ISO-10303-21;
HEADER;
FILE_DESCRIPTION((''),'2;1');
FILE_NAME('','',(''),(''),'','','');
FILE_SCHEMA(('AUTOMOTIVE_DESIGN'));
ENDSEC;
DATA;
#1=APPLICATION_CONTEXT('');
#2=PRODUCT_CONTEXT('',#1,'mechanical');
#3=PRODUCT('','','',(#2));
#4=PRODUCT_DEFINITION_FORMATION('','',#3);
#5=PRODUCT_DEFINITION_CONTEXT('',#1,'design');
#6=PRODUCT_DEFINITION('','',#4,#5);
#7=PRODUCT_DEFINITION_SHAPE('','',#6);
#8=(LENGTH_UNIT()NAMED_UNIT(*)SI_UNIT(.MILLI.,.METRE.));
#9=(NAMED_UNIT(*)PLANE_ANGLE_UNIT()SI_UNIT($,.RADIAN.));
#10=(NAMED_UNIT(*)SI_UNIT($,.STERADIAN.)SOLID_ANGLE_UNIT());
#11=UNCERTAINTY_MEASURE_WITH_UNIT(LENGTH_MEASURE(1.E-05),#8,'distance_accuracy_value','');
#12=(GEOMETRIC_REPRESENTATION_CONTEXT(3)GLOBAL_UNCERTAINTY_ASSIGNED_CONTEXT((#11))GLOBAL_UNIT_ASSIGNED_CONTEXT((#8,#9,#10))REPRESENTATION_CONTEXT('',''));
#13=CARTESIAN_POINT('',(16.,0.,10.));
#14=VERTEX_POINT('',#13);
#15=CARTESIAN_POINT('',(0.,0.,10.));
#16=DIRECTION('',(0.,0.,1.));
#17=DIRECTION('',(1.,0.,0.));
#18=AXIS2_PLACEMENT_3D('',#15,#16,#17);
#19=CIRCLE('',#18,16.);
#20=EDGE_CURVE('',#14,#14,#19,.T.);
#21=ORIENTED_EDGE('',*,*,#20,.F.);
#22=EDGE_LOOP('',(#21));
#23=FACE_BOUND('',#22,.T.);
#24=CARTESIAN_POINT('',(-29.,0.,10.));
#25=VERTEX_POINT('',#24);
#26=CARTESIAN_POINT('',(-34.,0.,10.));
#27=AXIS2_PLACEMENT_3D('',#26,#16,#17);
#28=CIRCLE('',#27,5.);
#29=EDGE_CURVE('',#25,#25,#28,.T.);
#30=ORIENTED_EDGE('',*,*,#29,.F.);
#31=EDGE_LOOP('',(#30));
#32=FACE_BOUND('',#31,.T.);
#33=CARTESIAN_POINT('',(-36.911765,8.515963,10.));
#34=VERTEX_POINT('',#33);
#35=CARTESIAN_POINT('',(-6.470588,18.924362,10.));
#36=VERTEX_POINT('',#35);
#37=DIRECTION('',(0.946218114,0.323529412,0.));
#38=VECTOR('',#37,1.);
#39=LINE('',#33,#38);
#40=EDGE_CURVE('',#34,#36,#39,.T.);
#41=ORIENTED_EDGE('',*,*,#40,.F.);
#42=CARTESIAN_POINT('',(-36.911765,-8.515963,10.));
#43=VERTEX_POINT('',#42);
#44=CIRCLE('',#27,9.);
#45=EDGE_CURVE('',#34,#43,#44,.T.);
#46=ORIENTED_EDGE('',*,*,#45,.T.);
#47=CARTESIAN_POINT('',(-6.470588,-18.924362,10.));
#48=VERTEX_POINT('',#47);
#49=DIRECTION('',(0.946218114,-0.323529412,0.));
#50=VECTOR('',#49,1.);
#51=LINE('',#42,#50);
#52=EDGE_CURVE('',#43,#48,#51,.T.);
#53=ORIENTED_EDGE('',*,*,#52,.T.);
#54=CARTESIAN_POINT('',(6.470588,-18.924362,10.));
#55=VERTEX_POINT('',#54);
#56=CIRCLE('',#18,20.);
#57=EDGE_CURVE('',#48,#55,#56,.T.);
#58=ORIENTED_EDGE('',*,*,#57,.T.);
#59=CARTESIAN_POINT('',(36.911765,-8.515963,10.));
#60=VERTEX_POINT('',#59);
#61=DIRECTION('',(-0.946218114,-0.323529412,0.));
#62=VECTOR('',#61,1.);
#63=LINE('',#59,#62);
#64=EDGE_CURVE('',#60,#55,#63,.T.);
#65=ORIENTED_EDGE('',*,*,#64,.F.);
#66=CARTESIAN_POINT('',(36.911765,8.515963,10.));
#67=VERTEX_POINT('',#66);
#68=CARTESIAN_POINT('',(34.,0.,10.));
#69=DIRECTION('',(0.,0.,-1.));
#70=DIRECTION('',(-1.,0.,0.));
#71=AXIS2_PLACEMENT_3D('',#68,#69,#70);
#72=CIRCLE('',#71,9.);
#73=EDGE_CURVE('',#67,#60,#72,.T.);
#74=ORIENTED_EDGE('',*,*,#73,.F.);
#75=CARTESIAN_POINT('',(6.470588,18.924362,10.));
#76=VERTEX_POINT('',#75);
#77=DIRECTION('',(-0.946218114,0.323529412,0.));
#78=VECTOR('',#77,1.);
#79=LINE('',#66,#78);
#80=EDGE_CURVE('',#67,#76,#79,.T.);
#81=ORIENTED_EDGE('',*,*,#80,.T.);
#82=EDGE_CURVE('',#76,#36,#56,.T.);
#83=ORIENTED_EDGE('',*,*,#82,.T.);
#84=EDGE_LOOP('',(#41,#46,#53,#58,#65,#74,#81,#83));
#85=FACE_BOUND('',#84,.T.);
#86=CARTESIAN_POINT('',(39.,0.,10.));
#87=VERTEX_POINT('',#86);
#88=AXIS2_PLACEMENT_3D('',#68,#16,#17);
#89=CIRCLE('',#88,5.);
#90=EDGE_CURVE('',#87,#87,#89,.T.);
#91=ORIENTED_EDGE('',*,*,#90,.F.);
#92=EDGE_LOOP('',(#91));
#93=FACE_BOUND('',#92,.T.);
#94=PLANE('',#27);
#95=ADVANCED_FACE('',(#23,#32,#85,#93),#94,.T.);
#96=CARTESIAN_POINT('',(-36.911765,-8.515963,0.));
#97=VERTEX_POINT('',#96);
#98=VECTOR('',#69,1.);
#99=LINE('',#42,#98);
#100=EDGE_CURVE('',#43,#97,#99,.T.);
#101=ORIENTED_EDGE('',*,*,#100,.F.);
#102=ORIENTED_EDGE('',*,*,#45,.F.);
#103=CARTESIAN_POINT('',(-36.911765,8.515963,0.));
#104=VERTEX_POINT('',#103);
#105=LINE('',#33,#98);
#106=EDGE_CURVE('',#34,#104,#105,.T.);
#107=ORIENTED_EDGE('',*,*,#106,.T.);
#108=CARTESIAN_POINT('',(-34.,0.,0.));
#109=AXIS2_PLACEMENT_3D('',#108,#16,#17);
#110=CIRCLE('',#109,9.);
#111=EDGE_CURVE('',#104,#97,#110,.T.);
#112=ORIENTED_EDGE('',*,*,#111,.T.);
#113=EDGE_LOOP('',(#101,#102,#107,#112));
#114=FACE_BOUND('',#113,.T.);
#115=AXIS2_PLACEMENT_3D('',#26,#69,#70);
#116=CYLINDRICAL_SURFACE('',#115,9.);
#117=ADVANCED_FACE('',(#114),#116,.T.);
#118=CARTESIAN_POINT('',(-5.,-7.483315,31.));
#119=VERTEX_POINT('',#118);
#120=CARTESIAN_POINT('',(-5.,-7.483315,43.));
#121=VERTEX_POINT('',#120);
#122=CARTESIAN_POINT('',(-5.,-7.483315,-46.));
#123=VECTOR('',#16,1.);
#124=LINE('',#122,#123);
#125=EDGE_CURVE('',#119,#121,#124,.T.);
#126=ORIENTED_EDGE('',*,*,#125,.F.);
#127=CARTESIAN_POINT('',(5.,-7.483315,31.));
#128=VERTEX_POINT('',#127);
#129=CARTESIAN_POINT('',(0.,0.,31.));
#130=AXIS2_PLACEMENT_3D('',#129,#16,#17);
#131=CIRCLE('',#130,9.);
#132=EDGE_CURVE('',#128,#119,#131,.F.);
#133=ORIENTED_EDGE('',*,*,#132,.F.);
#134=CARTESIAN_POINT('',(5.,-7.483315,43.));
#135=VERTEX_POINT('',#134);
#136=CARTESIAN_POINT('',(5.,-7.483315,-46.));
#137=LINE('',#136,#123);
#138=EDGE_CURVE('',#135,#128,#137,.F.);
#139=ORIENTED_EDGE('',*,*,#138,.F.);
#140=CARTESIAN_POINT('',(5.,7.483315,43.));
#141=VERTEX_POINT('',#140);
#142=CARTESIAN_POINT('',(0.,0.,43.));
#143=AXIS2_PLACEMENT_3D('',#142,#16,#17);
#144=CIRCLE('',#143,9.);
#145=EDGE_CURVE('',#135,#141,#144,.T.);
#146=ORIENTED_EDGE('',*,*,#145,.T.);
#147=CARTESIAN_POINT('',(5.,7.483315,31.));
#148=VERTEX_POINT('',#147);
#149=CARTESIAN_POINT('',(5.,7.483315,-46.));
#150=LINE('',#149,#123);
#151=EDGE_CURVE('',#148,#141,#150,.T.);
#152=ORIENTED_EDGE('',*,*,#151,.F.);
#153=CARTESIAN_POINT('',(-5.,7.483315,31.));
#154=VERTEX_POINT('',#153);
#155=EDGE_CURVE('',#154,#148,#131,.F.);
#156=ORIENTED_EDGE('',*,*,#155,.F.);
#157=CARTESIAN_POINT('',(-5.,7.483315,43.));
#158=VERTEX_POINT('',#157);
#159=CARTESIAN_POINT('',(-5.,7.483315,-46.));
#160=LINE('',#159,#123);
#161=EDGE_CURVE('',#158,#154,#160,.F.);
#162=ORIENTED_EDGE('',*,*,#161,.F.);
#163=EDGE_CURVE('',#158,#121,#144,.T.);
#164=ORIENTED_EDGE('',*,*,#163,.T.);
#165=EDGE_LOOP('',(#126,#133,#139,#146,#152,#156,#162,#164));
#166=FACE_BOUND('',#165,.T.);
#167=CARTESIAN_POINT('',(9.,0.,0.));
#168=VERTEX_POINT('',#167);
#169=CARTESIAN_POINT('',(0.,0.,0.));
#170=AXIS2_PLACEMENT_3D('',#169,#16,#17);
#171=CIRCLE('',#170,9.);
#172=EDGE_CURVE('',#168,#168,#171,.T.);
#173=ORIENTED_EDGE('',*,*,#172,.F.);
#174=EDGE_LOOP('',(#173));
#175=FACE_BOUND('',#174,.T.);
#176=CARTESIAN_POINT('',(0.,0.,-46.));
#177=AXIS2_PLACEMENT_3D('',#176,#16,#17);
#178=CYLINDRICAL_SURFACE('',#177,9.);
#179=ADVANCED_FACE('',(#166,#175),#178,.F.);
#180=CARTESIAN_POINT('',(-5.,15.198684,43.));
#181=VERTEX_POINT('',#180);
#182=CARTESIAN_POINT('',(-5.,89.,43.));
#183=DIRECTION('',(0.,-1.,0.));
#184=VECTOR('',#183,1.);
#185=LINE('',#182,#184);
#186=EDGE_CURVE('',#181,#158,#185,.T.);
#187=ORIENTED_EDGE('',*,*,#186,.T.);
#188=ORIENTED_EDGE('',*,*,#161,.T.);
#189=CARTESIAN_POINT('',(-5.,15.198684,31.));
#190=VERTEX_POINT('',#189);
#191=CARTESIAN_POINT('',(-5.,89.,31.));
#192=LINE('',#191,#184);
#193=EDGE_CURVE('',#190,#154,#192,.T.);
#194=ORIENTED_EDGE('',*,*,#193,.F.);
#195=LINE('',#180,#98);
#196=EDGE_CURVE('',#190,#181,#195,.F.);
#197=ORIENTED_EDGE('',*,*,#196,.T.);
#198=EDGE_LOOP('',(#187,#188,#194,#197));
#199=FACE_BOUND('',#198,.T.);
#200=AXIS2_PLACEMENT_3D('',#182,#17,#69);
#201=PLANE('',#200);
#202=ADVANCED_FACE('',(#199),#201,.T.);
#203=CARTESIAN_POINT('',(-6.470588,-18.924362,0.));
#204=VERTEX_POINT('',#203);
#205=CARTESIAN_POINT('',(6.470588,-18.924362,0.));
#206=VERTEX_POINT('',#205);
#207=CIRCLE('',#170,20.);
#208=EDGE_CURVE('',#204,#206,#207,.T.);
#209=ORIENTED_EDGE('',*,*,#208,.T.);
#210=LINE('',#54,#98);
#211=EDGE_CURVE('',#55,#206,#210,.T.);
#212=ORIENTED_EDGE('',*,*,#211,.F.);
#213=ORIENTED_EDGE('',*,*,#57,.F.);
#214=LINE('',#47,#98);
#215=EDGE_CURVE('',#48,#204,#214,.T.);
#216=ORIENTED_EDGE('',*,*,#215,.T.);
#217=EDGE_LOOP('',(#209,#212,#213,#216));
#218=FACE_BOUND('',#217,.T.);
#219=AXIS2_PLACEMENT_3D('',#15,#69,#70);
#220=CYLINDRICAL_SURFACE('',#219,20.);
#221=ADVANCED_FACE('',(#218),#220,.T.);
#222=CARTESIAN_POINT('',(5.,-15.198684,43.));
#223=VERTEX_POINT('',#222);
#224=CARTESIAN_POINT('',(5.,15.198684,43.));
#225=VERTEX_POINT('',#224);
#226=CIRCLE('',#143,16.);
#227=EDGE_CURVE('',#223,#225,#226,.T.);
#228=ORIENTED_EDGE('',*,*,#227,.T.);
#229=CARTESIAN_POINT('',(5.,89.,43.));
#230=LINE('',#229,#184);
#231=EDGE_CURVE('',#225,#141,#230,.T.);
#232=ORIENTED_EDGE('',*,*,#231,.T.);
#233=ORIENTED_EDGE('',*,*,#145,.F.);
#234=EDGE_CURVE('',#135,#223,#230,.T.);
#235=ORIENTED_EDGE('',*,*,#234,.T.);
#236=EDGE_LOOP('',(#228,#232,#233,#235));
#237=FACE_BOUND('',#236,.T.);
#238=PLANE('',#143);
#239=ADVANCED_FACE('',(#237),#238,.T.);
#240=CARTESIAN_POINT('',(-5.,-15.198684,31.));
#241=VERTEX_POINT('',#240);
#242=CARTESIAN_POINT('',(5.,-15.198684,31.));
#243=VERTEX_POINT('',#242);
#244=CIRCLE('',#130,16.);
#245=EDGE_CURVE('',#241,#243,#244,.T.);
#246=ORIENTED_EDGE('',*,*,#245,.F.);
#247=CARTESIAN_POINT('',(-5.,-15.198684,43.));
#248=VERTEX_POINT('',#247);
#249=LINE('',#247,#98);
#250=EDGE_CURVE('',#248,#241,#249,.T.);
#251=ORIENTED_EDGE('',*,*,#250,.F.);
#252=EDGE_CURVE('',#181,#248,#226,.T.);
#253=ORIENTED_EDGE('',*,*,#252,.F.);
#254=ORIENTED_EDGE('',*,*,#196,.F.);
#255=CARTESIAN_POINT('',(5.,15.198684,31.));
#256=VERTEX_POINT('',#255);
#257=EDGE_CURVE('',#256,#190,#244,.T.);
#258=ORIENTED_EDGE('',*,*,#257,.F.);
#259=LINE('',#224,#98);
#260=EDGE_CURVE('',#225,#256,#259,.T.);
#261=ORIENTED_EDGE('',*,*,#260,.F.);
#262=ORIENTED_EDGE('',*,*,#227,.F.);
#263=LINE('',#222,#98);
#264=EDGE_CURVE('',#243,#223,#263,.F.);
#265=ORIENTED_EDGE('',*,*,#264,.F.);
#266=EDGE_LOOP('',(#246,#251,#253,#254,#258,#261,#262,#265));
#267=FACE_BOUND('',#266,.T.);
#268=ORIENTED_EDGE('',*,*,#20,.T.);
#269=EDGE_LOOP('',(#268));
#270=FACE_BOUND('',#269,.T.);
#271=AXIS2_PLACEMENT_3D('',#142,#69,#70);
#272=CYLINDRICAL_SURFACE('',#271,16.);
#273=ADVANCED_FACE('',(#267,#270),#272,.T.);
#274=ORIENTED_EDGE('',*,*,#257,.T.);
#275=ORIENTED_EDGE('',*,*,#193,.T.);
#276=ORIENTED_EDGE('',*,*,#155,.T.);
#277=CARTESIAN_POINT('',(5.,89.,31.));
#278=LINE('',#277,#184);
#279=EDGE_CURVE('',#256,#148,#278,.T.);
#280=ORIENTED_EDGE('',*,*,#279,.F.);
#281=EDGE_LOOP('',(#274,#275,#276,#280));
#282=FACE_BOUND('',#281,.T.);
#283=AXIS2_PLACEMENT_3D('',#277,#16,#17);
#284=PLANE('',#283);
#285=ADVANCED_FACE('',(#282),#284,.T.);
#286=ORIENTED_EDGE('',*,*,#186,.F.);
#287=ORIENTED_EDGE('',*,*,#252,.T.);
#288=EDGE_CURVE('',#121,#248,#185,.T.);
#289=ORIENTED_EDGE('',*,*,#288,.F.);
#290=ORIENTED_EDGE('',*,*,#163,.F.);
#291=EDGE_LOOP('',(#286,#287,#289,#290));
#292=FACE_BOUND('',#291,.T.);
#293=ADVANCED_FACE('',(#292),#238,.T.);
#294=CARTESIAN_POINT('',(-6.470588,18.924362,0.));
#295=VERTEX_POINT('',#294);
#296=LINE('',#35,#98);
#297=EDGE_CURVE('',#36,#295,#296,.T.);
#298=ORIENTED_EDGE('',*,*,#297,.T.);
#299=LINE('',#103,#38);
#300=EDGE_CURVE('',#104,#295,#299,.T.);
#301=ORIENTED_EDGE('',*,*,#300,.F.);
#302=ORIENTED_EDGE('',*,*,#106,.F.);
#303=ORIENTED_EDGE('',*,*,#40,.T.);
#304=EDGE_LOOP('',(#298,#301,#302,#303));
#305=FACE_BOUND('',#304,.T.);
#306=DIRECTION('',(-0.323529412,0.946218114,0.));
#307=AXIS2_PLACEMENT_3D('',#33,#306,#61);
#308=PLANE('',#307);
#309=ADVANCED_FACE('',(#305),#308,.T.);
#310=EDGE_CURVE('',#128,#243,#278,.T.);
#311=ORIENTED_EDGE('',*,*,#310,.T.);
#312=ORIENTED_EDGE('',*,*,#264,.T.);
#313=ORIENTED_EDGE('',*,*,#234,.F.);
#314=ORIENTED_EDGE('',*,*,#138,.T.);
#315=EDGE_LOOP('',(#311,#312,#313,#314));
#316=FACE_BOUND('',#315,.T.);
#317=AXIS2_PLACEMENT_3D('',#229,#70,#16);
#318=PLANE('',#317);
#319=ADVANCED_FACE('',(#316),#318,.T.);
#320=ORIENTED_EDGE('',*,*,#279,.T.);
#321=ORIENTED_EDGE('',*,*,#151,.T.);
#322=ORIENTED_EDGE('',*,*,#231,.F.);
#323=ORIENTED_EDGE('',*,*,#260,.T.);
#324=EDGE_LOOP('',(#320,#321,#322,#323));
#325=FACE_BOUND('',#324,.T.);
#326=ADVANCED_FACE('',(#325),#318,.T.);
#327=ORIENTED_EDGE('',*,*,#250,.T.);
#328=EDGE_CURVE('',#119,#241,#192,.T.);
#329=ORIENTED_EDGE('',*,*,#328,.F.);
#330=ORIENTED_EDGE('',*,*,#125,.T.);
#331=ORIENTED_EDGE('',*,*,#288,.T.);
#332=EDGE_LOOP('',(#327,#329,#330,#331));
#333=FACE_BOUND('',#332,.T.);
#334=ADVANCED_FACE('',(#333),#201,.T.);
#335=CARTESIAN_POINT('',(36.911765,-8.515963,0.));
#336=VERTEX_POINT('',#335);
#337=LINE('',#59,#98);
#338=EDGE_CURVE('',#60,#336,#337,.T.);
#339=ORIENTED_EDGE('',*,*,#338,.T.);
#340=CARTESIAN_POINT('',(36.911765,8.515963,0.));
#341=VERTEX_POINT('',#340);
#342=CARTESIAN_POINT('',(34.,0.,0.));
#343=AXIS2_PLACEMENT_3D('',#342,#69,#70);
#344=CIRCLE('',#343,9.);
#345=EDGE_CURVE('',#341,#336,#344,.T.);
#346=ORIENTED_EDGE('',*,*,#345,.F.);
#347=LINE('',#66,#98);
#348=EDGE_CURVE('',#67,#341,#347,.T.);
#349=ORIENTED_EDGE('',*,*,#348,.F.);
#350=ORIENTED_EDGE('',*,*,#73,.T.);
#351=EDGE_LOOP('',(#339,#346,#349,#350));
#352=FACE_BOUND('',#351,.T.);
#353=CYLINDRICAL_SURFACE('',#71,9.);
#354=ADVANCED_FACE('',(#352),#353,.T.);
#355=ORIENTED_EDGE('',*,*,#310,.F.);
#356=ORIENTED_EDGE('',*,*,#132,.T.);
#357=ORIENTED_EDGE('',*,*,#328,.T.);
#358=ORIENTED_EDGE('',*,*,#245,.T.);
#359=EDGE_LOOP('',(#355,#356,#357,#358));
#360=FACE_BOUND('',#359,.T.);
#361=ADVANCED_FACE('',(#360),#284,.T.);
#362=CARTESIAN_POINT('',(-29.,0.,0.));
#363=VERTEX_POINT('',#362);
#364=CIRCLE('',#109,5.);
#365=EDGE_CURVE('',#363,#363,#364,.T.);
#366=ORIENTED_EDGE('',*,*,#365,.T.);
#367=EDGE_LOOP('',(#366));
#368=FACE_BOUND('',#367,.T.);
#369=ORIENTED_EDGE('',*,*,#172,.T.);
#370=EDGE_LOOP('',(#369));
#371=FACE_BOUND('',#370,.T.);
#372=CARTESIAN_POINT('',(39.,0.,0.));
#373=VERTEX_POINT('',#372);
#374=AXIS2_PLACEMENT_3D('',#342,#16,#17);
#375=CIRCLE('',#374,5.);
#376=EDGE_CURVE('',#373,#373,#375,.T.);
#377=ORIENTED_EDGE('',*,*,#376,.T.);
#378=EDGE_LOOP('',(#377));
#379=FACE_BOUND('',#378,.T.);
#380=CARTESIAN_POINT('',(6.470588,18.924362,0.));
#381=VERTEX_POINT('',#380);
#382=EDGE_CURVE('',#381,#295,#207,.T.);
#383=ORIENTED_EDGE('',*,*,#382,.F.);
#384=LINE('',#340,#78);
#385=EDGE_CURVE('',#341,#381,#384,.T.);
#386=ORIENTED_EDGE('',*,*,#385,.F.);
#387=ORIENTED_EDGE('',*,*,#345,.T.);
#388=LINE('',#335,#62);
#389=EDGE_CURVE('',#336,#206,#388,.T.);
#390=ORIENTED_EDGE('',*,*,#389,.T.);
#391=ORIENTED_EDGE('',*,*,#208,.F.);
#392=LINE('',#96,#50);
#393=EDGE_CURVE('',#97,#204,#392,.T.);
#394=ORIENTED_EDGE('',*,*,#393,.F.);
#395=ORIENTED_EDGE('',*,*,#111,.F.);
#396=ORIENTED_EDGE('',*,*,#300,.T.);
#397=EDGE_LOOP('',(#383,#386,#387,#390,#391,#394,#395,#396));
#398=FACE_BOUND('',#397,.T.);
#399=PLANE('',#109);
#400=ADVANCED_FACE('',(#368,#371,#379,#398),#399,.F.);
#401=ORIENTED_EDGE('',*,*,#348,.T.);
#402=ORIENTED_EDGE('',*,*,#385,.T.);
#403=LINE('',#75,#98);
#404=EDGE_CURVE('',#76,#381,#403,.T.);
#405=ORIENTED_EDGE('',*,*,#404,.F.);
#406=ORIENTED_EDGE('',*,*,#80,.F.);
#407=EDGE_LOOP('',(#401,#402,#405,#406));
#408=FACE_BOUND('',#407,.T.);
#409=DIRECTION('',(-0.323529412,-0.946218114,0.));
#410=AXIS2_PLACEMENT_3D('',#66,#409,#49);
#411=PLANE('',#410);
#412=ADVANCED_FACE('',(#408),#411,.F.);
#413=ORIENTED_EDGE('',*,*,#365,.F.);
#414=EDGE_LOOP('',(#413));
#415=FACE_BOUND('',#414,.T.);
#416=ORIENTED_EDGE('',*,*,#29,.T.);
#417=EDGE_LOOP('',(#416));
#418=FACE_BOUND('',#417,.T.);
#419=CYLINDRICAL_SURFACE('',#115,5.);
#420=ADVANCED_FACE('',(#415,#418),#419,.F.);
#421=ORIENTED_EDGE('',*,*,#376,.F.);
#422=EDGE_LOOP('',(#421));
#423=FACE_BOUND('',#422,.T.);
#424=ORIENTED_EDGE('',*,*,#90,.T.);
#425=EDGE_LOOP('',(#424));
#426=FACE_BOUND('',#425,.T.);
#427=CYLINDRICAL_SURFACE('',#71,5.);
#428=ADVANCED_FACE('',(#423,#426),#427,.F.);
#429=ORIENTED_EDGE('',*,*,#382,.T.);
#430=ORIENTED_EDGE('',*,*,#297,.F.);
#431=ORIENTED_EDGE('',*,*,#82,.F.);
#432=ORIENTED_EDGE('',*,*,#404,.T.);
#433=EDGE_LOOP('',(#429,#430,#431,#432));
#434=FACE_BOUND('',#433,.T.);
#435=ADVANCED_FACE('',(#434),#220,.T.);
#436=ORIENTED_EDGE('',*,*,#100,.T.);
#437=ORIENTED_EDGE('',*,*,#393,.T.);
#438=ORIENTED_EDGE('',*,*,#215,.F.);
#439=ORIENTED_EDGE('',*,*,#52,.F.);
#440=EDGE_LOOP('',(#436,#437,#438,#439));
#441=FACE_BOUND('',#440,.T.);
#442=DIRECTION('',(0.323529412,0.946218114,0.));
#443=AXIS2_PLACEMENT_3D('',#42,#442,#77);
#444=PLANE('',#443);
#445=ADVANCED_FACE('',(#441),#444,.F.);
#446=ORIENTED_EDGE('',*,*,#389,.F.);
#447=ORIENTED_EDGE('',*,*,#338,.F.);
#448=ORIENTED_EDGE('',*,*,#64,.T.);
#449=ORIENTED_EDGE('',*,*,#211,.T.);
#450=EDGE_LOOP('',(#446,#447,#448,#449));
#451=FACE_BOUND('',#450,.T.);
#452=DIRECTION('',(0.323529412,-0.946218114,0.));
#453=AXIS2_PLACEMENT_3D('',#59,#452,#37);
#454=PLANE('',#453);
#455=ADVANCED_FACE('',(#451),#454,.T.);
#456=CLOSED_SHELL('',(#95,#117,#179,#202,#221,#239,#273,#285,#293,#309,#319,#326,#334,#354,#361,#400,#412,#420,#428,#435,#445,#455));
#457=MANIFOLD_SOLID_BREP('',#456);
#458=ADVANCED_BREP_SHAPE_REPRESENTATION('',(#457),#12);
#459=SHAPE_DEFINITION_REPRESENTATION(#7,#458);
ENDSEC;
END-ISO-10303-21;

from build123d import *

# Parameters (mm, degrees)
EXTRUDE_1_DEPTH          = 10
SKETCH_3_R               = 5
CUT_EXTRUDE_1_DEPTH      = 10
SKETCH_4_R               = 16
EXTRUDE_2_DEPTH          = 33
SKETCH_5_R               = 9
CUT_EXTRUDE_2_DEPTH      = 89
CUT_EXTRUDE_3_DEPTH      = 89
CUT_EXTRUDE_3_DEPTH_BACK = 89
SKETCH_6_W               = 10
SKETCH_6_H               = 12


with BuildPart() as part:
    # 草图1 → 凸台-拉伸1 (new body)
    with BuildSketch(Plane.XY):
        with BuildLine():
            Line((-36.911764706, 8.515963028), (-6.470588235, 18.924362285))
            ThreePointArc((-6.470588235, 18.924362285), (0, 20), (6.470588235, 18.924362285))
            Line((6.470588235, 18.924362285), (36.911764706, 8.515963028))
            ThreePointArc((36.911764706, 8.515963028), (43, 0), (36.911764706, -8.515963028))
            Line((36.911764706, -8.515963028), (6.470588235, -18.924362285))
            ThreePointArc((6.470588235, -18.924362285), (0, -20), (-6.470588235, -18.924362285))
            Line((-6.470588235, -18.924362285), (-36.911764706, -8.515963028))
            ThreePointArc((-36.911764706, -8.515963028), (-43, 0), (-36.911764706, 8.515963028))
        make_face()
    extrude(amount=EXTRUDE_1_DEPTH)

    # 草图3 → 切除-拉伸1 (cut)
    with BuildSketch(Plane.XY):
        with Locations((-34, 0)):
            Circle(SKETCH_3_R)
        with Locations((34, 0)):
            Circle(SKETCH_3_R)
    extrude(amount=CUT_EXTRUDE_1_DEPTH, mode=Mode.SUBTRACT)

    # 草图4 → 凸台-拉伸2 (add)
    with BuildSketch(Plane.XY.offset(10)):
        Circle(SKETCH_4_R)
    extrude(amount=EXTRUDE_2_DEPTH)

    # 草图5 → 切除-拉伸2 (cut)
    with BuildSketch(Plane.XY.offset(43)):
        Circle(SKETCH_5_R)
    extrude(amount=-CUT_EXTRUDE_2_DEPTH, mode=Mode.SUBTRACT)

    # 草图6 → 切除-拉伸3 (cut, two sides: drawn at the far end of the back side and taken through both)
    with BuildSketch(Plane(origin=(0, 0, 0), x_dir=(1, 0, 0), z_dir=(0, 1, 0)).offset(-CUT_EXTRUDE_3_DEPTH_BACK)):
        with Locations((0, -37)):
            Rectangle(SKETCH_6_W, SKETCH_6_H)
    extrude(amount=CUT_EXTRUDE_3_DEPTH + CUT_EXTRUDE_3_DEPTH_BACK, mode=Mode.SUBTRACT)


solid = part.part
